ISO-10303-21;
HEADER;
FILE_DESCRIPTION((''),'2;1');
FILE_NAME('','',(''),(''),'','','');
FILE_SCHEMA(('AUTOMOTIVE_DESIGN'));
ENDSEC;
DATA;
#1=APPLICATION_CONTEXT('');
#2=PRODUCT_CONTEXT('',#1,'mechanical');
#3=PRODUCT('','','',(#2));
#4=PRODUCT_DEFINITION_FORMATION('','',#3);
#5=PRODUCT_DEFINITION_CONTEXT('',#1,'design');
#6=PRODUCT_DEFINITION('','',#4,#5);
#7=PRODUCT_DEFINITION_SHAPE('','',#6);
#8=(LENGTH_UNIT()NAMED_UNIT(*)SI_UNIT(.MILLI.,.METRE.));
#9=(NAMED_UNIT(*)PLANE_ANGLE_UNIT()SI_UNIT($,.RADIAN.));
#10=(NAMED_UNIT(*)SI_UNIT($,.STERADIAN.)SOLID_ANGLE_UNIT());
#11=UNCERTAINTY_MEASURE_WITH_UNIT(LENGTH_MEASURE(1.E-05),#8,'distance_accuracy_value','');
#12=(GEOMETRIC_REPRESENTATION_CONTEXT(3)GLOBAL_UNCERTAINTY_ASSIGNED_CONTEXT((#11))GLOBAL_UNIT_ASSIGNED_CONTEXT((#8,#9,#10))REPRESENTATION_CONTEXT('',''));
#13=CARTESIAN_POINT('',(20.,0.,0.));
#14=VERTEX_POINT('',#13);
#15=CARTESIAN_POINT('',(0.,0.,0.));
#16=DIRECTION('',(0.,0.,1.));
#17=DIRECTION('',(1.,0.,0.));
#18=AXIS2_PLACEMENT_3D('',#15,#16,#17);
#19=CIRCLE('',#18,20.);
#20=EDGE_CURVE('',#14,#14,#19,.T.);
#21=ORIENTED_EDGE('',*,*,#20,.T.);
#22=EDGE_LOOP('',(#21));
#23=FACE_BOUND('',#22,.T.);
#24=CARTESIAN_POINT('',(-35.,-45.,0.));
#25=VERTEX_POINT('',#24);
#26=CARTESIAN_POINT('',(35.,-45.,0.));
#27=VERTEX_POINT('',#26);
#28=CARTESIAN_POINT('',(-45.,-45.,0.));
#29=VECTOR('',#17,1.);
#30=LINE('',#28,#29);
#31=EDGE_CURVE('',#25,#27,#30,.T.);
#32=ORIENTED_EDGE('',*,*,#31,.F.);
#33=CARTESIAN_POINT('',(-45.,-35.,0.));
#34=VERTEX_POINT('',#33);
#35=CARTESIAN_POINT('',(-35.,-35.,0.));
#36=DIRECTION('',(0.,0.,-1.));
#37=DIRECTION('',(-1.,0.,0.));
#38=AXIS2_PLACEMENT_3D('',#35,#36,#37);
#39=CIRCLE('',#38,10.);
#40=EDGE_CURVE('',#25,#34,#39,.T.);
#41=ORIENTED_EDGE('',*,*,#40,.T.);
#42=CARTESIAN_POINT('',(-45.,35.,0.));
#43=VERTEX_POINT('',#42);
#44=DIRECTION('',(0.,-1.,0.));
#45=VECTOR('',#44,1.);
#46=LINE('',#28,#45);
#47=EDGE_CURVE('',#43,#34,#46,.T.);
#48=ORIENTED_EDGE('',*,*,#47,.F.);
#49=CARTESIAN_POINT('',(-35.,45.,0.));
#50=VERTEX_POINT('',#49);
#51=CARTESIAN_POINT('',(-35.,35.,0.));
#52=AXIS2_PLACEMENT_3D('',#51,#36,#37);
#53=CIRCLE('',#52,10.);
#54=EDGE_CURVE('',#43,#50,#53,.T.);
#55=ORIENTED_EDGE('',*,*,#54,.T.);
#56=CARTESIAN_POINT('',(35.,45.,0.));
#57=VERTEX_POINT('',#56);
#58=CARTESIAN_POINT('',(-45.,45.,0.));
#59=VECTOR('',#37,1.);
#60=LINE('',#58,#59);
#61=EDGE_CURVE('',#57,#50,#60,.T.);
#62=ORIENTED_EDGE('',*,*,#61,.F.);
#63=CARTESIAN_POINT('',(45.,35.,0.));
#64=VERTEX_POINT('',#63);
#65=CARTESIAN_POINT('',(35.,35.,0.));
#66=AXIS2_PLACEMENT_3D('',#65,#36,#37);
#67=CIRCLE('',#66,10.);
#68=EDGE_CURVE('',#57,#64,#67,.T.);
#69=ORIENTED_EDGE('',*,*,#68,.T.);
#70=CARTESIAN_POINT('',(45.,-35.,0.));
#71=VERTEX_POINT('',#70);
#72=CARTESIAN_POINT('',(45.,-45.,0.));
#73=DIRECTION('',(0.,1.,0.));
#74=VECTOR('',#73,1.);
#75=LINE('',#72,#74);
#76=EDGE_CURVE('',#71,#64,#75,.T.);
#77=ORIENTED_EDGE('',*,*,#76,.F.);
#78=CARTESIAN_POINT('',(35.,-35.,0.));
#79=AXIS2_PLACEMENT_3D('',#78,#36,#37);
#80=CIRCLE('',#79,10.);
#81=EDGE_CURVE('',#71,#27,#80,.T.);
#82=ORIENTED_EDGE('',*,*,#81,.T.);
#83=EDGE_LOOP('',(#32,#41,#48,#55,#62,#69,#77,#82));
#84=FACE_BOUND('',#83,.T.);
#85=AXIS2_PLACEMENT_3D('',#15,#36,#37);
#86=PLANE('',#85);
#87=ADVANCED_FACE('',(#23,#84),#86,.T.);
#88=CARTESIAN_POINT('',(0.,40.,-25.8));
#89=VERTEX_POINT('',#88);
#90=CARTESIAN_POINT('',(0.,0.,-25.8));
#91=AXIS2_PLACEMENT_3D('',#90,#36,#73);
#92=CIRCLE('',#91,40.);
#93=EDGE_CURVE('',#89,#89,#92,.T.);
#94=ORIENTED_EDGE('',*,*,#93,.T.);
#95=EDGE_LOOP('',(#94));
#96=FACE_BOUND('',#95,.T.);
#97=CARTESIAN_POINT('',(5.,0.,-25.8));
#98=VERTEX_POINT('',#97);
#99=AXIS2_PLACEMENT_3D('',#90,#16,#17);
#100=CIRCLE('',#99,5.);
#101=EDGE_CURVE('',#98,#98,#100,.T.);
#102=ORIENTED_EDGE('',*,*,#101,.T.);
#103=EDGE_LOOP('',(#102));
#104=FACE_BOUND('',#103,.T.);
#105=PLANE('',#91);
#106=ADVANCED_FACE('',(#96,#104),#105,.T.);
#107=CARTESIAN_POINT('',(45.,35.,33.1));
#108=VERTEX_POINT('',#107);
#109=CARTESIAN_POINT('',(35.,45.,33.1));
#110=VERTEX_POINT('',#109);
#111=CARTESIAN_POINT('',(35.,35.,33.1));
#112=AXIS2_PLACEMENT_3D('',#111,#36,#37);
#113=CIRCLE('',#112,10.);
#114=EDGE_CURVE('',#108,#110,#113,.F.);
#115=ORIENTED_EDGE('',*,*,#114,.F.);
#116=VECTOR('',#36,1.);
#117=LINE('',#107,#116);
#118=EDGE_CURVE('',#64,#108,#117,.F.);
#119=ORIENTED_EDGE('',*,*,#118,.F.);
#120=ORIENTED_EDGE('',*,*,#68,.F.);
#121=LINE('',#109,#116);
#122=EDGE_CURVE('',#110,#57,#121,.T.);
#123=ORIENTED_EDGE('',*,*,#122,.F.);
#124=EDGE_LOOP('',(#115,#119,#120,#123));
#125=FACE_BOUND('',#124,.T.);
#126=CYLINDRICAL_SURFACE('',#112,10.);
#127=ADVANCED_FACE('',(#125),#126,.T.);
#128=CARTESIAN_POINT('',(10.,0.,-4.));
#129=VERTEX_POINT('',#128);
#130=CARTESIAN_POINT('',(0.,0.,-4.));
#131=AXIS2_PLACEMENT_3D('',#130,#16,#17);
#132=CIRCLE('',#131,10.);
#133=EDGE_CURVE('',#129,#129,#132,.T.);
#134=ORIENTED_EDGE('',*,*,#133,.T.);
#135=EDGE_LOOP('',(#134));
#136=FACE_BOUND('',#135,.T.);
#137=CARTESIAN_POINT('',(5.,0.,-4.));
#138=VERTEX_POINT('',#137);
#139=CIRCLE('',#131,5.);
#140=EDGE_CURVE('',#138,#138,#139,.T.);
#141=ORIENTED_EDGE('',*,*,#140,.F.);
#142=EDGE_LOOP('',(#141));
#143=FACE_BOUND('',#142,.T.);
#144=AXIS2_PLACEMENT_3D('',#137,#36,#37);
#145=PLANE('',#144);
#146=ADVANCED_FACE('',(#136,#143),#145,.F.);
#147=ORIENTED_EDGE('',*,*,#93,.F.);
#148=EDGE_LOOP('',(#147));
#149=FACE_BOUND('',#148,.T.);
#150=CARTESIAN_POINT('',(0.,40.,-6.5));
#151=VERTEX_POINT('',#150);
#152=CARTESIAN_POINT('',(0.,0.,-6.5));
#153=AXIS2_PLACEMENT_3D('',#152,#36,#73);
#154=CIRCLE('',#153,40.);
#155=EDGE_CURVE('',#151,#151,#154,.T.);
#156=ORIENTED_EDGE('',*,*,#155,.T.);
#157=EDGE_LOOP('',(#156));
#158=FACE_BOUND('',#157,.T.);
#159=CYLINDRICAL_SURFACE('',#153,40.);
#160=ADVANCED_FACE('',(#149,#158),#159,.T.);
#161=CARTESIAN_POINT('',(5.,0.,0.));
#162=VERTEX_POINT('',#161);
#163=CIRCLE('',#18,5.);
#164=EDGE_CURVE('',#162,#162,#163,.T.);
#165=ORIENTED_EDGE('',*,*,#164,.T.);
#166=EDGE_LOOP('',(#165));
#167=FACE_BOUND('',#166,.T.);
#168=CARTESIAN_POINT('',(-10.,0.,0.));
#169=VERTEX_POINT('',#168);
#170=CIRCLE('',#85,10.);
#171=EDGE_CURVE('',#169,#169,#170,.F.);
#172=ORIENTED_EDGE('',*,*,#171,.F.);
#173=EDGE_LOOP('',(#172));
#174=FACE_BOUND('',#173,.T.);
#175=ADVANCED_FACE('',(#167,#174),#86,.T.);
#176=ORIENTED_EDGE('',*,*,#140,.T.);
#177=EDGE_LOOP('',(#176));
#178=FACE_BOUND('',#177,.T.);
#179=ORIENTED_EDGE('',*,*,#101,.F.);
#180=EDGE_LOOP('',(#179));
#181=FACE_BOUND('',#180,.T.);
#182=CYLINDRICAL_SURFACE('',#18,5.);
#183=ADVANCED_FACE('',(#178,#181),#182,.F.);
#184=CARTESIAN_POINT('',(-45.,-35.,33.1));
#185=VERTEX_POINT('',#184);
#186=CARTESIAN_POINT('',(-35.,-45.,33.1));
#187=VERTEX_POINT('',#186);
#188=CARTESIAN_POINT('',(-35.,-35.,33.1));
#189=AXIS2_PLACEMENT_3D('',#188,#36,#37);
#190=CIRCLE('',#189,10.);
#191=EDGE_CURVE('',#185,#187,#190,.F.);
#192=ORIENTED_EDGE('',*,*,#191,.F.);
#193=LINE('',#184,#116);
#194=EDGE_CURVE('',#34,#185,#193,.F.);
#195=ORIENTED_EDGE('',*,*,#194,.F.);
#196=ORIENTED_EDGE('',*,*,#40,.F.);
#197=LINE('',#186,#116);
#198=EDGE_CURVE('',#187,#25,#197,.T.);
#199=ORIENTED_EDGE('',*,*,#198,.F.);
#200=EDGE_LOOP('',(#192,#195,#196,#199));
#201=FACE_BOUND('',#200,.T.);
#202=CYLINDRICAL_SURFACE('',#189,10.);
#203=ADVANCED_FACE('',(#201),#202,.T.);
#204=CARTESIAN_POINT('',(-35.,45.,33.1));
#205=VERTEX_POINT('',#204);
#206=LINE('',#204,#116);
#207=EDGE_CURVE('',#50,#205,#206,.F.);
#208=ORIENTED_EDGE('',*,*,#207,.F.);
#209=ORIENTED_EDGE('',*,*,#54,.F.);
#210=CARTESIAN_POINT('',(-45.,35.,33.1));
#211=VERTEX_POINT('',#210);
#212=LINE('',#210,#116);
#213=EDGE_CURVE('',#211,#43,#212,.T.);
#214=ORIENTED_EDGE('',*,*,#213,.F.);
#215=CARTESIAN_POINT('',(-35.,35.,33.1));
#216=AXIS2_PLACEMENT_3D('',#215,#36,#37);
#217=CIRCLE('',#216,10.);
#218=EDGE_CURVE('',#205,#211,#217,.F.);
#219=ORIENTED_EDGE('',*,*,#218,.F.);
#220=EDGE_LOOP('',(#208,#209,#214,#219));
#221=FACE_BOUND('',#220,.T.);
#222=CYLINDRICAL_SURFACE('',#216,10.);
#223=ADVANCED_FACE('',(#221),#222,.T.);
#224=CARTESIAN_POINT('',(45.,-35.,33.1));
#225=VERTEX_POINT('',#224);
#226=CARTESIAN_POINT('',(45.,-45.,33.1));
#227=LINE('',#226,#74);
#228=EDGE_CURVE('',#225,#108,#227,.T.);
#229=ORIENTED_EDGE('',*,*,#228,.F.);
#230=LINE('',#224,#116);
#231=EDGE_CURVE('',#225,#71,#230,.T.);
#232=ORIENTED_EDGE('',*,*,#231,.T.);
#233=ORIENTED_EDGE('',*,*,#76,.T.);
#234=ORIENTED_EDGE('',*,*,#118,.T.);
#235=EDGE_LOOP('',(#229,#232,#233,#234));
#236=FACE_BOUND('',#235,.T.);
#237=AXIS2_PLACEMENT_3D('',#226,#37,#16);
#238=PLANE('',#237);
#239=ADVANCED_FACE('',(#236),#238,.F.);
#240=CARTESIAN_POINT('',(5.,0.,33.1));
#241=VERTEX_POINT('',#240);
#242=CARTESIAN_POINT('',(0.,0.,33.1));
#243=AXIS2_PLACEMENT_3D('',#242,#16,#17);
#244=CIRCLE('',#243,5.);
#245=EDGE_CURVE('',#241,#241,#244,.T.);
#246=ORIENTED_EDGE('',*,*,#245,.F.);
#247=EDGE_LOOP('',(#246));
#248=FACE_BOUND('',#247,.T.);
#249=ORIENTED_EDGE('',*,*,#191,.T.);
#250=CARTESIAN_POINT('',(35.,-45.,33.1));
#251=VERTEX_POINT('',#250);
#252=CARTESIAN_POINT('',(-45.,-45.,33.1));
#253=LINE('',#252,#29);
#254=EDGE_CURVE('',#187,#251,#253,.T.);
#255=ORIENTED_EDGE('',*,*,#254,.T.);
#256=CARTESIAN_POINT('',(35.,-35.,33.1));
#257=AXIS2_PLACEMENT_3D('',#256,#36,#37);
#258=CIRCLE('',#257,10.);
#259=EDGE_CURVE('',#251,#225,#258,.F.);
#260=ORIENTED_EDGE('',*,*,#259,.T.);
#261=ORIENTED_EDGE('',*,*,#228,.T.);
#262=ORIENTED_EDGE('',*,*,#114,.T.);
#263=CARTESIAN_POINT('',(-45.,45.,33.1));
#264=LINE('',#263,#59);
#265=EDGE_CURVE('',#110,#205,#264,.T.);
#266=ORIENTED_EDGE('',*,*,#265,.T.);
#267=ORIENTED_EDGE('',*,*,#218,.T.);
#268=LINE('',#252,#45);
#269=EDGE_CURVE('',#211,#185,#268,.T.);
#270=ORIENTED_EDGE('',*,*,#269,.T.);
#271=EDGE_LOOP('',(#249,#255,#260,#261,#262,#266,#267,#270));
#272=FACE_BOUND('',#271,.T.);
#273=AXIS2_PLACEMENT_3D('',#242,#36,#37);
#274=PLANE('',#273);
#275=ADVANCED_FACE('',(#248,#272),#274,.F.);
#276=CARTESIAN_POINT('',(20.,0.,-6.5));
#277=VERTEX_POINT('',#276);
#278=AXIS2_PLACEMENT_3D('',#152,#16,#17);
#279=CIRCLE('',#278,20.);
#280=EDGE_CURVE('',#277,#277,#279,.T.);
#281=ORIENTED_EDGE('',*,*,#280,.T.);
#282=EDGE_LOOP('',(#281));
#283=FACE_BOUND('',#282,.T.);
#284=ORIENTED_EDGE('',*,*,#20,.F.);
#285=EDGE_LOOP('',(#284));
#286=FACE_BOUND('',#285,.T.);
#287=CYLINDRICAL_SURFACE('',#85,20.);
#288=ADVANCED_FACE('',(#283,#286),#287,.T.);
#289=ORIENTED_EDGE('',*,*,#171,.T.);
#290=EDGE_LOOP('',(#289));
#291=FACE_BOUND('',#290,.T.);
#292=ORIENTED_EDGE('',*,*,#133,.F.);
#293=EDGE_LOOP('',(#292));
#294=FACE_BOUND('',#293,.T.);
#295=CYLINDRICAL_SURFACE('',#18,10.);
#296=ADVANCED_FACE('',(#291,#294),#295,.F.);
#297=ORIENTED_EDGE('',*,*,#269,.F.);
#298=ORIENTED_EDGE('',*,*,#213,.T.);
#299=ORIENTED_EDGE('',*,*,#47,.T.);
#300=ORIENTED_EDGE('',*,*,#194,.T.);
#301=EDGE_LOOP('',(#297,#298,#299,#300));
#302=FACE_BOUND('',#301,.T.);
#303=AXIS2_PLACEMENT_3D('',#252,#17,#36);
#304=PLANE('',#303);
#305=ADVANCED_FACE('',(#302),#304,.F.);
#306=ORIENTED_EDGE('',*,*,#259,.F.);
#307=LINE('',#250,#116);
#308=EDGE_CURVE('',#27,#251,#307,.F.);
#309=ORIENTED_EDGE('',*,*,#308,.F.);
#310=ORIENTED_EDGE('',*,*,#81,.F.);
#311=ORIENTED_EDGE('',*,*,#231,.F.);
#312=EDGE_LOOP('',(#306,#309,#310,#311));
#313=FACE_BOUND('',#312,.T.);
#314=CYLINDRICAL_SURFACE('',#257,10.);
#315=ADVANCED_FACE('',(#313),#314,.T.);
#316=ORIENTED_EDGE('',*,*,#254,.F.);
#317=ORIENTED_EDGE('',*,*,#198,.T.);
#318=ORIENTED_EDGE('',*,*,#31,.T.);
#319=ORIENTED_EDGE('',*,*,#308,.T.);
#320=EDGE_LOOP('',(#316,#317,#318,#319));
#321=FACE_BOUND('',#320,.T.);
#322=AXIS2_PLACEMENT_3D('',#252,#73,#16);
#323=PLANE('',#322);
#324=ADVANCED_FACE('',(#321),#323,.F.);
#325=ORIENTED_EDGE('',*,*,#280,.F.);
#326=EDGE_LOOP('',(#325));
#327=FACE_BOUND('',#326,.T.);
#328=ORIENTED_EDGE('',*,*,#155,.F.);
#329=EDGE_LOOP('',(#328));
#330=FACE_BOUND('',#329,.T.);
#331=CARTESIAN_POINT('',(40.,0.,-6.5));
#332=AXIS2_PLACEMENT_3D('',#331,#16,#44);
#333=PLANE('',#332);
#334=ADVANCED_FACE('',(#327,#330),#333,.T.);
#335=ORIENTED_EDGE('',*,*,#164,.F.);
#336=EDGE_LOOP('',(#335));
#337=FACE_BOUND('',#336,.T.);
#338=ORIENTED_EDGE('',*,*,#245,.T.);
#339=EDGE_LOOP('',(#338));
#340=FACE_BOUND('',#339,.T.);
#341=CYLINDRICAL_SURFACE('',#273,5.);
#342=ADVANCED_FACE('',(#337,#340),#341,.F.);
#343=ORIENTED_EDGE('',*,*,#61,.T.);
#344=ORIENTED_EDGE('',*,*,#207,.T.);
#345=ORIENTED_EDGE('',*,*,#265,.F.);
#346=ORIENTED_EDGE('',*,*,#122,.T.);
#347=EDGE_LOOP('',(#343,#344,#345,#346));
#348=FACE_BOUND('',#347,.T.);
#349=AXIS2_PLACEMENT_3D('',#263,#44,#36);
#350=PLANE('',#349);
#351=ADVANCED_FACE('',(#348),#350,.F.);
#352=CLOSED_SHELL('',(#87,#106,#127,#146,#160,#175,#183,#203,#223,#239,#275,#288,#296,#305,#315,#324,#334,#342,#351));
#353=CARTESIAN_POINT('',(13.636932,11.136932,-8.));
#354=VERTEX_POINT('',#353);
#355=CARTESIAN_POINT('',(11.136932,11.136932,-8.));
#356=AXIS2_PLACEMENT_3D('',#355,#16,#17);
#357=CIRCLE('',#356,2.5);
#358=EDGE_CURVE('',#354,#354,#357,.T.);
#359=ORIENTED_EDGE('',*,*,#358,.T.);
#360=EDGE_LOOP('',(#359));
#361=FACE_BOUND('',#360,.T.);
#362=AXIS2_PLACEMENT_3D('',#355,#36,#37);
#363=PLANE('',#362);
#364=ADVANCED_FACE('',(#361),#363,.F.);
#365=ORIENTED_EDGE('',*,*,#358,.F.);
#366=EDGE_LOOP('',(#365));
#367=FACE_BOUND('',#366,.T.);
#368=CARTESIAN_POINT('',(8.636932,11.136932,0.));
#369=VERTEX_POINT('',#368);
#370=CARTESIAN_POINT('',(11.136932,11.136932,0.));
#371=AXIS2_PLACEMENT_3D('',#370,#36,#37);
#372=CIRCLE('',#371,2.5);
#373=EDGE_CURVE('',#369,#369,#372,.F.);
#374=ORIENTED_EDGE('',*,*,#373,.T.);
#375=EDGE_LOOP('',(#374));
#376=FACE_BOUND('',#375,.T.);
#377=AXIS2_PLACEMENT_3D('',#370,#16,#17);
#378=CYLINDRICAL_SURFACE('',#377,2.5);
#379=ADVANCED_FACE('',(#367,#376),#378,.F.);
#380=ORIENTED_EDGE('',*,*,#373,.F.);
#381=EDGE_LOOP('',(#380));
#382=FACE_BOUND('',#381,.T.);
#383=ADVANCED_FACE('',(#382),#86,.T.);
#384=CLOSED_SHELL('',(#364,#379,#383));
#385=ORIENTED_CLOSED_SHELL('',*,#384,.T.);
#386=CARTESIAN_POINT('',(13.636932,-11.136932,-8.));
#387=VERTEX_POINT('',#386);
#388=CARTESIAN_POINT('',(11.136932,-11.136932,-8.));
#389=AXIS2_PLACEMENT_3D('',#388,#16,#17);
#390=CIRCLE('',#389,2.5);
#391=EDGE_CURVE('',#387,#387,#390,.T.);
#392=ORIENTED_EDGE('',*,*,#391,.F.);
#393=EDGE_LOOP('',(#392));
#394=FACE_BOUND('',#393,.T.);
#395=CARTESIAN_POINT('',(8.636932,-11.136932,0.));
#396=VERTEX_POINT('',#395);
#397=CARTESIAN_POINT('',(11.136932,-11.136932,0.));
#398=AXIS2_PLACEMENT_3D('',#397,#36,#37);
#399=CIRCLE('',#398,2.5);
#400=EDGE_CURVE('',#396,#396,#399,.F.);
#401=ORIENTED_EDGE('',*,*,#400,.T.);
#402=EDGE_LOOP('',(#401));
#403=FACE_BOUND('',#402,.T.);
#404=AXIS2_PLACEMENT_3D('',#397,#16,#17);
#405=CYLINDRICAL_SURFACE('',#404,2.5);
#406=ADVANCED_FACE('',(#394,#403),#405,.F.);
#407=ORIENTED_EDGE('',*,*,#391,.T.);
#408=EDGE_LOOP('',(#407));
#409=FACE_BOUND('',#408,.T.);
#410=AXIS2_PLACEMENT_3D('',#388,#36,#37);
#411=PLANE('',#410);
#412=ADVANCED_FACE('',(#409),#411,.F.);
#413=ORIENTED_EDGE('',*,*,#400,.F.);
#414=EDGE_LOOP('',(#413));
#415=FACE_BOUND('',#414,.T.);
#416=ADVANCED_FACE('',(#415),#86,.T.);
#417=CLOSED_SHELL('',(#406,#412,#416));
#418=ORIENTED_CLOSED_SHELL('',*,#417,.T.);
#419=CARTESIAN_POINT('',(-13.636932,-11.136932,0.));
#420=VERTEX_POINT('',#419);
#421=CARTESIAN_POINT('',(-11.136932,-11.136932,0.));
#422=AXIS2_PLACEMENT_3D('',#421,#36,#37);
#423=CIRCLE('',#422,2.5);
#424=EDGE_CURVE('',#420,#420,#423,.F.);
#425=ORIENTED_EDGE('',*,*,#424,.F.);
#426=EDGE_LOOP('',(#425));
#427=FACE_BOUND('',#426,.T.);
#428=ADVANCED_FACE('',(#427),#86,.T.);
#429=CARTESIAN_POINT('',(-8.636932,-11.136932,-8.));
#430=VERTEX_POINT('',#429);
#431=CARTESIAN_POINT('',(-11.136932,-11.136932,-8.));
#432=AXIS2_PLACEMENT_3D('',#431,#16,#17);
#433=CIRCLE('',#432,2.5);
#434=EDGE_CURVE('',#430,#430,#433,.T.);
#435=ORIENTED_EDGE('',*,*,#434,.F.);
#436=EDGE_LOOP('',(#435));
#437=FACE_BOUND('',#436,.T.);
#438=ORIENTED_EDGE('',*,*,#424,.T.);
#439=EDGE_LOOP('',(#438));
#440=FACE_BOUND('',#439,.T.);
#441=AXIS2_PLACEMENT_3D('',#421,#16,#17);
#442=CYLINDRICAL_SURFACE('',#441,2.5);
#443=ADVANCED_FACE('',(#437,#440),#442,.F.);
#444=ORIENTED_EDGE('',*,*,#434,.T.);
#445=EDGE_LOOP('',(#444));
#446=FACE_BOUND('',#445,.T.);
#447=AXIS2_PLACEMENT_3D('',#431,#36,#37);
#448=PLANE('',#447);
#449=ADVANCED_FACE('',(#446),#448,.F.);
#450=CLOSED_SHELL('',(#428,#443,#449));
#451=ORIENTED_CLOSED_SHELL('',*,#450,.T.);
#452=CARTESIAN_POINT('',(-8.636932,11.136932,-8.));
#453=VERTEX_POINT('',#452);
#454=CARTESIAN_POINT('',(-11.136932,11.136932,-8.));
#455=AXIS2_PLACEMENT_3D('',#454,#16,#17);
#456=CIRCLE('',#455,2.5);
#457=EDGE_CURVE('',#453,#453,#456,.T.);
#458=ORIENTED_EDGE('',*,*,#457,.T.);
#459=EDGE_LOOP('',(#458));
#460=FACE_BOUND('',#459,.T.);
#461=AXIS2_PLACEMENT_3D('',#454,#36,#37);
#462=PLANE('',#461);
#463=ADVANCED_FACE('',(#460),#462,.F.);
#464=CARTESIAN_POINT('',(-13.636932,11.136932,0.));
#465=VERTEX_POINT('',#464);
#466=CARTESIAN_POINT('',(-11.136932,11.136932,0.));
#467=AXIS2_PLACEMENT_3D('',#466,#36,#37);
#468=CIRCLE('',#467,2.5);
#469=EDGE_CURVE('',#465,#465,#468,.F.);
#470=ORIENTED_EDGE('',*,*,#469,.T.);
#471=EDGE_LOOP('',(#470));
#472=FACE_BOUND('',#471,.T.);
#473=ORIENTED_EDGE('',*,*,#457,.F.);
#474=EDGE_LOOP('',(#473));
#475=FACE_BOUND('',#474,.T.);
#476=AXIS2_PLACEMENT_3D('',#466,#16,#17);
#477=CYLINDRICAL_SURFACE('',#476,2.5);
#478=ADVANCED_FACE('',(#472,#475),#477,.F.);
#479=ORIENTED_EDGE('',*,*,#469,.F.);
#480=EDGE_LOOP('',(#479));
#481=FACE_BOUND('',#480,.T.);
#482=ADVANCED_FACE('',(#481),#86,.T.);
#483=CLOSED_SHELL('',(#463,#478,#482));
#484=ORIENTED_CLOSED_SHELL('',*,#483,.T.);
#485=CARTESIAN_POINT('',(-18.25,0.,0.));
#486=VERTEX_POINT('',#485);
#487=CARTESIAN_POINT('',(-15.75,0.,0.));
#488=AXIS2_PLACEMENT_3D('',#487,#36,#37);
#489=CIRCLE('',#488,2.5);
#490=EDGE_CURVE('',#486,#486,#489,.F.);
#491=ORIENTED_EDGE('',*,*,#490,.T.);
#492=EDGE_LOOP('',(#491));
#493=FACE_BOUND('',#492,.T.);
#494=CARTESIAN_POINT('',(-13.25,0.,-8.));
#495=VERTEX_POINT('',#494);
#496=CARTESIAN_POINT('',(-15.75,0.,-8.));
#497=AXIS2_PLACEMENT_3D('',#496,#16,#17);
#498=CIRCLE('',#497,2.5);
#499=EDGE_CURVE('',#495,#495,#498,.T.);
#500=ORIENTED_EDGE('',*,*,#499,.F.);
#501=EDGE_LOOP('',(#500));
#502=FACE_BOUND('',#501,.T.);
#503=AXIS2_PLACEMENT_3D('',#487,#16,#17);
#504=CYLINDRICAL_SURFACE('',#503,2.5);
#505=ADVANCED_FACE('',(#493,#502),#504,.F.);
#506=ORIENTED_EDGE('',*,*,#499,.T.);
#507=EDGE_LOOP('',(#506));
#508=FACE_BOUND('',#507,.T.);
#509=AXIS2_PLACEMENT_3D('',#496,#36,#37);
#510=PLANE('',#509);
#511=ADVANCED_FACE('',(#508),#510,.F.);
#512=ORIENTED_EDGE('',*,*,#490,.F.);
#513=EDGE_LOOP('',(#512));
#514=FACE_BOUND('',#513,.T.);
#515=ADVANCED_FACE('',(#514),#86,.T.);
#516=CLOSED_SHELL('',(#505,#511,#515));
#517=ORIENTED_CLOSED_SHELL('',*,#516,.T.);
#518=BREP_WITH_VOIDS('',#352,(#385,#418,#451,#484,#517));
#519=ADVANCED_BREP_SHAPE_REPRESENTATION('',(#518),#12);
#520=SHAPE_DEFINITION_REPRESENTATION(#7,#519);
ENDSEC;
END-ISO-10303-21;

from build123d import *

# Parameters (mm, degrees)
SKETCH1_W                               = 40
SKETCH1_H                               = 19.3
SKETCH2_R                               = 20
BOSS_EXTRUDE1_DEPTH                     = 6.5
CBORE_FOR_M8_HEX_HEAD_BOLT1_D           = 10
CBORE_FOR_M8_HEX_HEAD_BOLT1_CBORE_D     = 20
CBORE_FOR_M8_HEX_HEAD_BOLT1_CBORE_DEPTH = 4
F_5_0_5_DIAMETER_HOLE1_D                = 5
F_5_0_5_DIAMETER_HOLE1_DEPTH            = 8
SKETCH7_W                               = 90
SKETCH7_H                               = 90
SKETCH7_R                               = 5
BOSS_EXTRUDE2_DEPTH                     = 33.1
FILLET1_R                               = 10


with BuildPart() as part:
    # Sketch1 → Revolve1 (revolve)
    with BuildSketch(Plane.XZ, mode=Mode.PRIVATE) as revolve1_sk:
        with Locations((20, -16.15)):
            Rectangle(SKETCH1_W, SKETCH1_H)
    revolve(revolve1_sk.sketch.rotate(Axis((0, 0, -6.5), (0, 0, -1)), 270), axis=Axis((0, 0, -6.5), (0, 0, -1)))

    # Sketch2 → Boss-Extrude1 (add)
    with BuildSketch(Plane.XY.offset(-6.5)):
        Circle(SKETCH2_R)
    extrude(amount=BOSS_EXTRUDE1_DEPTH)

    # CBORE for M8 Hex Head Bolt1 (through all)
    with Locations(Plane.XY):
        with Locations((0, 0)):
            CounterBoreHole(CBORE_FOR_M8_HEX_HEAD_BOLT1_D / 2, CBORE_FOR_M8_HEX_HEAD_BOLT1_CBORE_D / 2, CBORE_FOR_M8_HEX_HEAD_BOLT1_CBORE_DEPTH)

    # Ø5.0 (5) Diameter Hole1
    with Locations(Plane.XY):
        with Locations((-15.75, 0), (-11.136931804, 11.136931804), (-11.136931804, -11.136931804), (11.136931804, -11.136931804), (11.136931804, 11.136931804)):
            Hole(F_5_0_5_DIAMETER_HOLE1_D / 2, depth=F_5_0_5_DIAMETER_HOLE1_DEPTH)

    # Sketch7 → Boss-Extrude2 (add)
    with BuildSketch(Plane.XY):
        Rectangle(SKETCH7_W, SKETCH7_H)
        Circle(SKETCH7_R, mode=Mode.SUBTRACT)
    extrude(amount=BOSS_EXTRUDE2_DEPTH)

    # Fillet1
    fillet1_edges = [part.edges().sort_by_distance(p)[0] for p in [
        (45, -45, 16.55),
        (45, 45, 16.55),
        (-45, 45, 16.55),
        (-45, -45, 16.55),
    ]]
    fillet(fillet1_edges, radius=FILLET1_R)


solid = part.part
